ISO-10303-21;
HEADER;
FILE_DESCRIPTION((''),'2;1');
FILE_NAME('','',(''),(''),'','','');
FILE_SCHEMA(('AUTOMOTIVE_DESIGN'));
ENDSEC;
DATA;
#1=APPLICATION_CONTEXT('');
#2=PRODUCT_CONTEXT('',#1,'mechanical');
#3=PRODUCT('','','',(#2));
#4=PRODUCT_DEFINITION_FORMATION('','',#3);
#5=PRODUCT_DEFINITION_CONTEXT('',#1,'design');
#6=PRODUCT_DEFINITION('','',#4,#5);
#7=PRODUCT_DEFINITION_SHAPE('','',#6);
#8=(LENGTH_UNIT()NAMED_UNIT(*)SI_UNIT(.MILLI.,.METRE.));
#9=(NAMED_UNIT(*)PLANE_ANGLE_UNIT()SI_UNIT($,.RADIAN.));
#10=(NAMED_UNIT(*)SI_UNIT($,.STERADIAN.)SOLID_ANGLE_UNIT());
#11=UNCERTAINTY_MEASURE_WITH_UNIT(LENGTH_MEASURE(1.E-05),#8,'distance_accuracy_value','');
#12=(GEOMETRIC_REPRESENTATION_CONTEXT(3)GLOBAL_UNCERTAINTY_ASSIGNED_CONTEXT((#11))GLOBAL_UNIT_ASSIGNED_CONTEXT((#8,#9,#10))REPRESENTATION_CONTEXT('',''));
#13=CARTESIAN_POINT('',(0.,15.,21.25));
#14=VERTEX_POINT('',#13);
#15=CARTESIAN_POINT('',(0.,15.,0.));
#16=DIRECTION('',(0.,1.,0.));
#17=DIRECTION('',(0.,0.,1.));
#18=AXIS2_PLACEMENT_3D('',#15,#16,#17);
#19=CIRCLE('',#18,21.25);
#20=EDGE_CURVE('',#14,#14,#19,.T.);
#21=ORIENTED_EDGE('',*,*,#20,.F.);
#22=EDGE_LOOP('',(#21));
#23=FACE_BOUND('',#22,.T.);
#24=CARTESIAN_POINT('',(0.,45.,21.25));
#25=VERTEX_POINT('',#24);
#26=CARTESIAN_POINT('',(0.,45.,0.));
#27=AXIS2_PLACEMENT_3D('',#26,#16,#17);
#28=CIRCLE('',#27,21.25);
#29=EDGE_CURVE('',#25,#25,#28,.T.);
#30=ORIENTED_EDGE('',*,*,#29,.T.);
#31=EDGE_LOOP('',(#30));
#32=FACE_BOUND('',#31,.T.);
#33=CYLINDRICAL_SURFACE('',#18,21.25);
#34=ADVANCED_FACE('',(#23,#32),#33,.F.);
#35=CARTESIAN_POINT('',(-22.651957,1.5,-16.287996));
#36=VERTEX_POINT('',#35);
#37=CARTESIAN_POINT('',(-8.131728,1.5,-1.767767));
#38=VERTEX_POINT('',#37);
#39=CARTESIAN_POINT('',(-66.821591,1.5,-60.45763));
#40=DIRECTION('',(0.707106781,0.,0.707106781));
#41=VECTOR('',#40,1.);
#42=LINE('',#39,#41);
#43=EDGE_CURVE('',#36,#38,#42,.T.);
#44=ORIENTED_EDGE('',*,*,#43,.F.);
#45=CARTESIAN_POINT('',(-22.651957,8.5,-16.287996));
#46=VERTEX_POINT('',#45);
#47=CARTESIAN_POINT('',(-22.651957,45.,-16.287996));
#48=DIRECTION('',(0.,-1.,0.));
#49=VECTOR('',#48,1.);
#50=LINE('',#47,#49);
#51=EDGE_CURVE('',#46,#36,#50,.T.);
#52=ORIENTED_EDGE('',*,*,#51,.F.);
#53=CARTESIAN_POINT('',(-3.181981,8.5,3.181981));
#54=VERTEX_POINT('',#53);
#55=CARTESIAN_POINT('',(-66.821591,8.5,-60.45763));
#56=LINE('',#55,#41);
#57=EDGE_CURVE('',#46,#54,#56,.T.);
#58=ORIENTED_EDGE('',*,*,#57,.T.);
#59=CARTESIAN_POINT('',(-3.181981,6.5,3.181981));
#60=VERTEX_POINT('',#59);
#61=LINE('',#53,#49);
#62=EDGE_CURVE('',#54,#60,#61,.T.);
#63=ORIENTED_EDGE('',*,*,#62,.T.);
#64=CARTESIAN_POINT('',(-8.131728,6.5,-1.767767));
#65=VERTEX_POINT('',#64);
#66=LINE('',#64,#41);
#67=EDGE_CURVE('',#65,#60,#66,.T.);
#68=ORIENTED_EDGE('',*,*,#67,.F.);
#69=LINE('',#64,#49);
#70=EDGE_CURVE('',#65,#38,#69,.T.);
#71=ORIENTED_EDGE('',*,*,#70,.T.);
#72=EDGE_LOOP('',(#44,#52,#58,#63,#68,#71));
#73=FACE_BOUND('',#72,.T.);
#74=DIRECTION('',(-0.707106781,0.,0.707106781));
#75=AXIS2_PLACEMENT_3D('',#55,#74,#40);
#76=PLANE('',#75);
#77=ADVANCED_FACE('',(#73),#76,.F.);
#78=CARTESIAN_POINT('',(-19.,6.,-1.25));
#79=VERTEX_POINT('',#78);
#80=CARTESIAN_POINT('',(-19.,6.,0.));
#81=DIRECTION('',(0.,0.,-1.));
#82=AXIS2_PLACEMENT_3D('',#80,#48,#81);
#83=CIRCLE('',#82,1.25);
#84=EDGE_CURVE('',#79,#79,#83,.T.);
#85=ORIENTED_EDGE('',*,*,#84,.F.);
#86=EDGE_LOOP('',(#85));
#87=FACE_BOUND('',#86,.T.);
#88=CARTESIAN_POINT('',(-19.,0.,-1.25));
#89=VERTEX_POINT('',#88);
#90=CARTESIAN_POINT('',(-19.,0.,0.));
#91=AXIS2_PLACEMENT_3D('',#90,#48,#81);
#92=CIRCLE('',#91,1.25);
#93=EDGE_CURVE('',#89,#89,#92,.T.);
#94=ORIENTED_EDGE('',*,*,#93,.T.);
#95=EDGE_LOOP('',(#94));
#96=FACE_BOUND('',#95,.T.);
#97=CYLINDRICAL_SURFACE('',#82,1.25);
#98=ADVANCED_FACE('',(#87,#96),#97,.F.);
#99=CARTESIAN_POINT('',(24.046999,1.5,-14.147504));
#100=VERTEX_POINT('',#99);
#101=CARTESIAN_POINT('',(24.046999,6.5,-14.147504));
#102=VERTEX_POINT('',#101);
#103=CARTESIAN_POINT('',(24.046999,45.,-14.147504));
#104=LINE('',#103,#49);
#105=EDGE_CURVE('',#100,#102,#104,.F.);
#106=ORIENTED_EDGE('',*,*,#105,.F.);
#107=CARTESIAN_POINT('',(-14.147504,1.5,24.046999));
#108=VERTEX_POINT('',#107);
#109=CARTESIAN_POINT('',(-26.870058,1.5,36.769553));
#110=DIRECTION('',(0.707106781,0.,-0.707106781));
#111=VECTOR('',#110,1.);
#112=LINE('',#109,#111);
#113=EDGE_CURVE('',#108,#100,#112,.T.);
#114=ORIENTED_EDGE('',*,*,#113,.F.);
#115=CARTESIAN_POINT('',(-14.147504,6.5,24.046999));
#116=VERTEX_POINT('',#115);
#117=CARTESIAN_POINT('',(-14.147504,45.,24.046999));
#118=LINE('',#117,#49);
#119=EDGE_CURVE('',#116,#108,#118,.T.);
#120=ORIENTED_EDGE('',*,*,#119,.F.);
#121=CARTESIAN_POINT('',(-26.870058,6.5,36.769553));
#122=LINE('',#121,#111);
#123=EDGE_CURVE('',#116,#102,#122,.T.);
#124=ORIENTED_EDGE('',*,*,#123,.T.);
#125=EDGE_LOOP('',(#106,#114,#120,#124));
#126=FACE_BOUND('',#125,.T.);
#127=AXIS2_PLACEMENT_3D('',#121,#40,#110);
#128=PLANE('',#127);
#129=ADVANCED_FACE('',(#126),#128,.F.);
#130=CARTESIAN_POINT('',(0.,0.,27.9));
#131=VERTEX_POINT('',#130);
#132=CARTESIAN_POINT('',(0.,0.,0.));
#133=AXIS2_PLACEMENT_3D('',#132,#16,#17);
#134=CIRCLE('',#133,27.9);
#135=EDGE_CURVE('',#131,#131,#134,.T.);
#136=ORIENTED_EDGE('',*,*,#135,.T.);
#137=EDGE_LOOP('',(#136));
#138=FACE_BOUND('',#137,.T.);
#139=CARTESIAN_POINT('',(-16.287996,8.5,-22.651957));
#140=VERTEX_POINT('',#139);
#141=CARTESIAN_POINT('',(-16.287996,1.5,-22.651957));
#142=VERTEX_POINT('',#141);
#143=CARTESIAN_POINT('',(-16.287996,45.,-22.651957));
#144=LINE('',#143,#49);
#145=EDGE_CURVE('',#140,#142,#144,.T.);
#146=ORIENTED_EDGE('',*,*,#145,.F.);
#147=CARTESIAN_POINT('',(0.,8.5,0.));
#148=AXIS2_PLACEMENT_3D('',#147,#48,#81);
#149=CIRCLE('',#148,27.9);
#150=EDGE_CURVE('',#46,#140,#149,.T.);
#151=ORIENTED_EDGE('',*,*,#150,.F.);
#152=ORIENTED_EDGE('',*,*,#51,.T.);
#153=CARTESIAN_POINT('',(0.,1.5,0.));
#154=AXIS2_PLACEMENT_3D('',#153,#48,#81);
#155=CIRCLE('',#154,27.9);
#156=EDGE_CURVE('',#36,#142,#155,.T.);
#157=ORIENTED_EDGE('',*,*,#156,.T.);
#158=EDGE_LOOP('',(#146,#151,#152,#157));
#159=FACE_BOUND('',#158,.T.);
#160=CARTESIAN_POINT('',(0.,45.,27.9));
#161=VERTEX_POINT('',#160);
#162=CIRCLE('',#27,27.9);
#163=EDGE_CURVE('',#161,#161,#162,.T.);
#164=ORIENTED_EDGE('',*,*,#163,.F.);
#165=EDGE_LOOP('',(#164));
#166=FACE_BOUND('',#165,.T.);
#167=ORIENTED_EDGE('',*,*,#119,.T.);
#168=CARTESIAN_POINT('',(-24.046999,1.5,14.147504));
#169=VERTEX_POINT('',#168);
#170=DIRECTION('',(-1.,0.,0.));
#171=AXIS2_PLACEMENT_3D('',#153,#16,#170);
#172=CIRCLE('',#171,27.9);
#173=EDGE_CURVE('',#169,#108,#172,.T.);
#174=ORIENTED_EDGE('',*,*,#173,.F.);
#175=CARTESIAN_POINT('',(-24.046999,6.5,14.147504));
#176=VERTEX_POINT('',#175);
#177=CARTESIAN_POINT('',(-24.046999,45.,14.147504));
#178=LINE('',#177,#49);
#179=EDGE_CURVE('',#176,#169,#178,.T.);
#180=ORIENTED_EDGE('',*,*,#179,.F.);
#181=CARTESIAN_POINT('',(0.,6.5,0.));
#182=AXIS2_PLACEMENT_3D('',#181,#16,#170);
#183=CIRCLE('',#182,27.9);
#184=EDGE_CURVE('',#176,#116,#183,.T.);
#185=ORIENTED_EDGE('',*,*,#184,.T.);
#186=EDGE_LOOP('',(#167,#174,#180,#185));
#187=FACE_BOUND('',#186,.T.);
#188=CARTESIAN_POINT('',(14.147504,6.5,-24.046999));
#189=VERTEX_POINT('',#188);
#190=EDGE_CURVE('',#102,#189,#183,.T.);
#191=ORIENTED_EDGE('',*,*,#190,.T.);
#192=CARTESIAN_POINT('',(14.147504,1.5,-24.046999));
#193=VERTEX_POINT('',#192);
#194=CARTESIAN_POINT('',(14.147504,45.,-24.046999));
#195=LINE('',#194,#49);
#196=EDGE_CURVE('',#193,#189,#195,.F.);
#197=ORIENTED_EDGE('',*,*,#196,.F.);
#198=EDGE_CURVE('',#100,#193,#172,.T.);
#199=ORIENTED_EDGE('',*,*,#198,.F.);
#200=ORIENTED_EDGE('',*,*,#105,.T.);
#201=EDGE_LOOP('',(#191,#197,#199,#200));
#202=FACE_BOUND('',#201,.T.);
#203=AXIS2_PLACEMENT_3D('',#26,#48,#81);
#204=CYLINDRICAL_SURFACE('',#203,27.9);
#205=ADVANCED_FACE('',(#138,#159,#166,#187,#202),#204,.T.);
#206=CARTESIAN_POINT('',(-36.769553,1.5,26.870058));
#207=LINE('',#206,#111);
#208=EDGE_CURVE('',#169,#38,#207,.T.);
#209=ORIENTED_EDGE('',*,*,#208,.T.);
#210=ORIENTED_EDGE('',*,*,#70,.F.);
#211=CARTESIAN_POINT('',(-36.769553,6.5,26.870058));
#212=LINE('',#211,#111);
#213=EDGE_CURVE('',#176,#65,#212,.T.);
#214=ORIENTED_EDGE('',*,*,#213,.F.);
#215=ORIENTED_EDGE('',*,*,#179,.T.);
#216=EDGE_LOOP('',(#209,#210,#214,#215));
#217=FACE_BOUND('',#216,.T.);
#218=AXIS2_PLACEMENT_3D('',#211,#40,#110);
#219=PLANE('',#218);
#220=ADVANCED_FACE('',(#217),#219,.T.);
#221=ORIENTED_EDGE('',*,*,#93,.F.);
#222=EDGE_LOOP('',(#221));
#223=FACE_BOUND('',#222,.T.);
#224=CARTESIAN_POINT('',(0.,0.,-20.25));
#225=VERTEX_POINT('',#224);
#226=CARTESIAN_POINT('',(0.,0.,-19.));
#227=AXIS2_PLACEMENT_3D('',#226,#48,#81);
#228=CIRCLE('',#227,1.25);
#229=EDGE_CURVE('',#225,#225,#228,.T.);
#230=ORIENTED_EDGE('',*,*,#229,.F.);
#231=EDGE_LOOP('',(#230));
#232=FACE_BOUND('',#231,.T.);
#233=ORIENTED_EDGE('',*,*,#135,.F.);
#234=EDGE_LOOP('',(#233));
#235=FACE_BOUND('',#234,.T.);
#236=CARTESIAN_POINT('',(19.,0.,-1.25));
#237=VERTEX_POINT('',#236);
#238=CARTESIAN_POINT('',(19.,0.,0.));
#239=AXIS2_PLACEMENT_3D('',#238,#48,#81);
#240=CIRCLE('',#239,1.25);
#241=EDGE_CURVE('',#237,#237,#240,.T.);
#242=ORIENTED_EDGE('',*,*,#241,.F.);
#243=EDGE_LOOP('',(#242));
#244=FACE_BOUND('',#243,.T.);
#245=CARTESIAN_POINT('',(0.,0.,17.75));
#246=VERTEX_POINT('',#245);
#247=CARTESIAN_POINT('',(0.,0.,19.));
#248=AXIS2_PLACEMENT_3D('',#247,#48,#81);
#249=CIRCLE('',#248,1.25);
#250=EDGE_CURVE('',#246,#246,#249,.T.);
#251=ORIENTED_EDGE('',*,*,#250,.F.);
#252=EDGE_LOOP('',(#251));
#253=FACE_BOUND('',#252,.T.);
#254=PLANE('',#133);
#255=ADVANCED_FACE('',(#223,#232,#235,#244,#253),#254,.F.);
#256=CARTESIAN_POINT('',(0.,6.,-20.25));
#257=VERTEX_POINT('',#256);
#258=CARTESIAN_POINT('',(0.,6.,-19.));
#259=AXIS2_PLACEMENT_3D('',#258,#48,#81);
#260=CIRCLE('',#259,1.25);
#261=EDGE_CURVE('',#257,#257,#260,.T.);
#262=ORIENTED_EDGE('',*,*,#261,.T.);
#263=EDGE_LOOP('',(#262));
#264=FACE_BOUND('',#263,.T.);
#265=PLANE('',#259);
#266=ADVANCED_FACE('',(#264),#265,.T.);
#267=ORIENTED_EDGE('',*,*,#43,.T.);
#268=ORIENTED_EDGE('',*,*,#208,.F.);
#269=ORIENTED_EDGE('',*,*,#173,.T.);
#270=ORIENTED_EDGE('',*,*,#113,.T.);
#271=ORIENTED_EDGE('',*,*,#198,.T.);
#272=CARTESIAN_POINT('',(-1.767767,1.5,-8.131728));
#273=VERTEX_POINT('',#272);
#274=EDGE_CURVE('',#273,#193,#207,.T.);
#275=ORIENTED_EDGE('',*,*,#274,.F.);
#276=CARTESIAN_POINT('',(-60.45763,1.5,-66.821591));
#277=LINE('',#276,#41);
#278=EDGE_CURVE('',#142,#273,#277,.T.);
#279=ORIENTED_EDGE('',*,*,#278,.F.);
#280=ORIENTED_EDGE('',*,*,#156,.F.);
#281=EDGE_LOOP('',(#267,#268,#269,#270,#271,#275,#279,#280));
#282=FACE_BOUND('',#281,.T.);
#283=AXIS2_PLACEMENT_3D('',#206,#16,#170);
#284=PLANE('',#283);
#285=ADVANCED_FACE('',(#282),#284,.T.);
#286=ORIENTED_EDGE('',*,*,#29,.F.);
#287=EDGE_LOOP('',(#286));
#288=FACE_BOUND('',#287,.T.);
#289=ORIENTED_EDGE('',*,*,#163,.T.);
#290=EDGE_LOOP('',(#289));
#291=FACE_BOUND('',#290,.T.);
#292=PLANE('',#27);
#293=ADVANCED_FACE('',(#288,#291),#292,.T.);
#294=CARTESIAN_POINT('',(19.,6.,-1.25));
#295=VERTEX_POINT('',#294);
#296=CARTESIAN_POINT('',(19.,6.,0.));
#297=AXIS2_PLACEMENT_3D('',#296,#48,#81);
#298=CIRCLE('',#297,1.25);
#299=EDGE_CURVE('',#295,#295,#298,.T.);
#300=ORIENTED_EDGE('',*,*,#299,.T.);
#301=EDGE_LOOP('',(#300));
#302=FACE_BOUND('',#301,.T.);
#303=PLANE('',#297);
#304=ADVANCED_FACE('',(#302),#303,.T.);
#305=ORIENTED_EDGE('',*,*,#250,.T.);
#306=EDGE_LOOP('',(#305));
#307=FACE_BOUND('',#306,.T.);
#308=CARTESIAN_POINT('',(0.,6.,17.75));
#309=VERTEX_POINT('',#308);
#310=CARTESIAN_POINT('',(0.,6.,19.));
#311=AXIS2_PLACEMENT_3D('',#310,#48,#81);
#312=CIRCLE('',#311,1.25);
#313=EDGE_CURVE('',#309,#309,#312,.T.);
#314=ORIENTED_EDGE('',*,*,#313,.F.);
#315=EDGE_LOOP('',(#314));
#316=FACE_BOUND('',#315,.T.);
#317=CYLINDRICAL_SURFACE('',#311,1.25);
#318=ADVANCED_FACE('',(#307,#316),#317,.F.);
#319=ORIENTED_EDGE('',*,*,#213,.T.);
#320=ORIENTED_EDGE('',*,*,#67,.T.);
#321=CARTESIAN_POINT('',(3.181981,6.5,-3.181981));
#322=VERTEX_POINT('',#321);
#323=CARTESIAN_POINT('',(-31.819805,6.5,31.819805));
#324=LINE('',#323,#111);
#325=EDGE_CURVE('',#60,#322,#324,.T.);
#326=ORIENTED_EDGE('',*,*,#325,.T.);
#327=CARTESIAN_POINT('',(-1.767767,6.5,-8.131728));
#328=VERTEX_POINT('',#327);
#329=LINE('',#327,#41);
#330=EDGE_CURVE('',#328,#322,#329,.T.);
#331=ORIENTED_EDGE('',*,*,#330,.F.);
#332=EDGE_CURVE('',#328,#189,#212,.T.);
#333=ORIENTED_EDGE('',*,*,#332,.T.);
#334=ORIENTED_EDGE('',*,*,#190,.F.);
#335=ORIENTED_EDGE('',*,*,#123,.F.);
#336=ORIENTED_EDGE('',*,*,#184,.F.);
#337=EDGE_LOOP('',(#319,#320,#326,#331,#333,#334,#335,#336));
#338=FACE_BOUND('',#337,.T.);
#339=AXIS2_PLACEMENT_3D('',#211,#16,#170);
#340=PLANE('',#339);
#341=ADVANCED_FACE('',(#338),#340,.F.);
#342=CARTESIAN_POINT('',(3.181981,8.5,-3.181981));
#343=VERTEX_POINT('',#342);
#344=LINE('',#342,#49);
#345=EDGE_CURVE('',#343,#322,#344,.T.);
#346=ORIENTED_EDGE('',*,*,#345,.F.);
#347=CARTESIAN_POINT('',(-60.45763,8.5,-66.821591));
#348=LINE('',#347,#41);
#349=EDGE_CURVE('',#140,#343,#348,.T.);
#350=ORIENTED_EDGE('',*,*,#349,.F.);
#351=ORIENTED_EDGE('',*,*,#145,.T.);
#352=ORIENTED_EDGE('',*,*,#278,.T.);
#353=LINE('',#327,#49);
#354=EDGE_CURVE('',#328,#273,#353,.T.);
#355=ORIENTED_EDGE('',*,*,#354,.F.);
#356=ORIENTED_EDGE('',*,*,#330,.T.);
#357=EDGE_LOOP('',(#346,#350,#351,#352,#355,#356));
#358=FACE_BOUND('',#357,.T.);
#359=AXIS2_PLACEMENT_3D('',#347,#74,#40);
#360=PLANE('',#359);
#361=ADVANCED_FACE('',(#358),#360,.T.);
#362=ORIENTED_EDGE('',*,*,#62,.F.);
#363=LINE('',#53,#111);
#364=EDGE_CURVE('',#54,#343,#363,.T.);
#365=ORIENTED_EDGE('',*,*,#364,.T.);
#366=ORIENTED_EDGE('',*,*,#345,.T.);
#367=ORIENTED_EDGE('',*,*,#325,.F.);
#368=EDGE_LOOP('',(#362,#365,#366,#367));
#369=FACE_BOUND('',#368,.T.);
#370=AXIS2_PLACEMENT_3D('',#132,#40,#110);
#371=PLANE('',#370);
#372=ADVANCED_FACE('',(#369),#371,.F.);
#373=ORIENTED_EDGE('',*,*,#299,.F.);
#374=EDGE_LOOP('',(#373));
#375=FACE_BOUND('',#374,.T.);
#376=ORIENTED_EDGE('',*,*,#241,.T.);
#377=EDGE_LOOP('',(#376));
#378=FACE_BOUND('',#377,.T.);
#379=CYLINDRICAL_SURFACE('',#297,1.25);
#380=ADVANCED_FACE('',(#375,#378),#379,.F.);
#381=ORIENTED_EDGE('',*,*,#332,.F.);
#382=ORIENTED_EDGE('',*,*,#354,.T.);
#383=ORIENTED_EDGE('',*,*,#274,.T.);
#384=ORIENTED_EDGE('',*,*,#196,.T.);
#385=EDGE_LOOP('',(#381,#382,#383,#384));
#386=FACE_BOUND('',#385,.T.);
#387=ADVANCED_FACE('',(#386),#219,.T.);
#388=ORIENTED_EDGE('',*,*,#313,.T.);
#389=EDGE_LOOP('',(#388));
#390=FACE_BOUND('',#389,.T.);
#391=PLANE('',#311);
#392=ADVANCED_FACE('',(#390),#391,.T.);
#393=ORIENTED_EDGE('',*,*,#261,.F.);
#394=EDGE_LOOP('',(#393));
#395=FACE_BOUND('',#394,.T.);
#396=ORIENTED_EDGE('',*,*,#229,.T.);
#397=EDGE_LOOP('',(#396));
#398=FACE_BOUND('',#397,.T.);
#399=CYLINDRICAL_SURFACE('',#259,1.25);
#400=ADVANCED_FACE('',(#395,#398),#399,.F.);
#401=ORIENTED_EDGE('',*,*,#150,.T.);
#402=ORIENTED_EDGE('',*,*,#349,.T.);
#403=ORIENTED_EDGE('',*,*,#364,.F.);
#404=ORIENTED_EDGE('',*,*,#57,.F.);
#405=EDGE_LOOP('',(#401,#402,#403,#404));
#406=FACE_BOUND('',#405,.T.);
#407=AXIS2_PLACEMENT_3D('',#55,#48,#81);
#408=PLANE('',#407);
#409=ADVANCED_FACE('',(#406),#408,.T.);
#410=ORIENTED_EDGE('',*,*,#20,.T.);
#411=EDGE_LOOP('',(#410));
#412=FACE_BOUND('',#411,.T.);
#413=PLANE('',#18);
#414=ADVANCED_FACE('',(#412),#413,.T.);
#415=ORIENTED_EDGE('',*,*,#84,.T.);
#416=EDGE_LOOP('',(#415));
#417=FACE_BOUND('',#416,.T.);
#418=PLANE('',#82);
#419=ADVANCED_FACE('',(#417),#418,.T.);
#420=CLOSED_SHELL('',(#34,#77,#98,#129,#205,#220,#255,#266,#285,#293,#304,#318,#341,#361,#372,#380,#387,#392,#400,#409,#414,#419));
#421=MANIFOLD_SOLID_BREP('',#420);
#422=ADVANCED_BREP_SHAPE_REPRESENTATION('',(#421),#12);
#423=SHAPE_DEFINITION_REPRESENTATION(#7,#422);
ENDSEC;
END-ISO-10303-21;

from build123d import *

# Parameters (mm, degrees)
SKETCH_1_R          = 27.9
EXTRUDE_1_DEPTH     = 45
SKETCH_2_R          = 21.25
CUT_EXTRUDE_1_DEPTH = 30
SKETCH_3_R          = 1.25
CUT_EXTRUDE_2_DEPTH = 6
SKETCH_7_W          = 5
SKETCH_7_H          = 14
CUT_EXTRUDE_3_DEPTH = 45
SKETCH_8_W          = 7
SKETCH_8_H          = 9
CUT_EXTRUDE_4_DEPTH = 90


with BuildPart() as part:
    # 草图1 → 凸台-拉伸1 (new body)
    with BuildSketch(Plane(origin=(0, 0, 0), x_dir=(1, 0, 0), z_dir=(0, 1, 0))):
        Circle(SKETCH_1_R)
    extrude(amount=EXTRUDE_1_DEPTH)

    # 草图2 → 切除-拉伸1 (cut)
    with BuildSketch(Plane(origin=(0, 45, 0), x_dir=(1, 0, 0), z_dir=(0, 1, 0))):
        Circle(SKETCH_2_R)
    extrude(amount=-CUT_EXTRUDE_1_DEPTH, mode=Mode.SUBTRACT)

    # 草图3 → 切除-拉伸2 (cut)
    with BuildSketch(Plane.XZ):
        with Locations((-19, 0)):
            Circle(SKETCH_3_R)
        with Locations((0, 19)):
            Circle(SKETCH_3_R)
        with Locations((19, 0)):
            Circle(SKETCH_3_R)
        with Locations((0, -19)):
            Circle(SKETCH_3_R)
    extrude(amount=-CUT_EXTRUDE_2_DEPTH, mode=Mode.SUBTRACT)

    # 草图7 → 切除-拉伸3 (cut, symmetric)
    with BuildSketch(Plane(origin=(0, 0, 0), x_dir=(0, 1, 0), z_dir=(0.7071067811865438, 0, -0.7071067811865512))):
        with Locations((4, 0)):
            Rectangle(SKETCH_7_W, SKETCH_7_H)
    extrude(amount=CUT_EXTRUDE_3_DEPTH, both=True, mode=Mode.SUBTRACT)

    # 草图8 → 切除-拉伸4 (cut)
    with BuildSketch(Plane(origin=(0, 0, 0), x_dir=(0, 1, 0), z_dir=(0.7071067811865488, 0, 0.7071067811865464))):
        with Locations((5, 0)):
            Rectangle(SKETCH_8_W, SKETCH_8_H)
    extrude(amount=-CUT_EXTRUDE_4_DEPTH, mode=Mode.SUBTRACT)


solid = part.part
